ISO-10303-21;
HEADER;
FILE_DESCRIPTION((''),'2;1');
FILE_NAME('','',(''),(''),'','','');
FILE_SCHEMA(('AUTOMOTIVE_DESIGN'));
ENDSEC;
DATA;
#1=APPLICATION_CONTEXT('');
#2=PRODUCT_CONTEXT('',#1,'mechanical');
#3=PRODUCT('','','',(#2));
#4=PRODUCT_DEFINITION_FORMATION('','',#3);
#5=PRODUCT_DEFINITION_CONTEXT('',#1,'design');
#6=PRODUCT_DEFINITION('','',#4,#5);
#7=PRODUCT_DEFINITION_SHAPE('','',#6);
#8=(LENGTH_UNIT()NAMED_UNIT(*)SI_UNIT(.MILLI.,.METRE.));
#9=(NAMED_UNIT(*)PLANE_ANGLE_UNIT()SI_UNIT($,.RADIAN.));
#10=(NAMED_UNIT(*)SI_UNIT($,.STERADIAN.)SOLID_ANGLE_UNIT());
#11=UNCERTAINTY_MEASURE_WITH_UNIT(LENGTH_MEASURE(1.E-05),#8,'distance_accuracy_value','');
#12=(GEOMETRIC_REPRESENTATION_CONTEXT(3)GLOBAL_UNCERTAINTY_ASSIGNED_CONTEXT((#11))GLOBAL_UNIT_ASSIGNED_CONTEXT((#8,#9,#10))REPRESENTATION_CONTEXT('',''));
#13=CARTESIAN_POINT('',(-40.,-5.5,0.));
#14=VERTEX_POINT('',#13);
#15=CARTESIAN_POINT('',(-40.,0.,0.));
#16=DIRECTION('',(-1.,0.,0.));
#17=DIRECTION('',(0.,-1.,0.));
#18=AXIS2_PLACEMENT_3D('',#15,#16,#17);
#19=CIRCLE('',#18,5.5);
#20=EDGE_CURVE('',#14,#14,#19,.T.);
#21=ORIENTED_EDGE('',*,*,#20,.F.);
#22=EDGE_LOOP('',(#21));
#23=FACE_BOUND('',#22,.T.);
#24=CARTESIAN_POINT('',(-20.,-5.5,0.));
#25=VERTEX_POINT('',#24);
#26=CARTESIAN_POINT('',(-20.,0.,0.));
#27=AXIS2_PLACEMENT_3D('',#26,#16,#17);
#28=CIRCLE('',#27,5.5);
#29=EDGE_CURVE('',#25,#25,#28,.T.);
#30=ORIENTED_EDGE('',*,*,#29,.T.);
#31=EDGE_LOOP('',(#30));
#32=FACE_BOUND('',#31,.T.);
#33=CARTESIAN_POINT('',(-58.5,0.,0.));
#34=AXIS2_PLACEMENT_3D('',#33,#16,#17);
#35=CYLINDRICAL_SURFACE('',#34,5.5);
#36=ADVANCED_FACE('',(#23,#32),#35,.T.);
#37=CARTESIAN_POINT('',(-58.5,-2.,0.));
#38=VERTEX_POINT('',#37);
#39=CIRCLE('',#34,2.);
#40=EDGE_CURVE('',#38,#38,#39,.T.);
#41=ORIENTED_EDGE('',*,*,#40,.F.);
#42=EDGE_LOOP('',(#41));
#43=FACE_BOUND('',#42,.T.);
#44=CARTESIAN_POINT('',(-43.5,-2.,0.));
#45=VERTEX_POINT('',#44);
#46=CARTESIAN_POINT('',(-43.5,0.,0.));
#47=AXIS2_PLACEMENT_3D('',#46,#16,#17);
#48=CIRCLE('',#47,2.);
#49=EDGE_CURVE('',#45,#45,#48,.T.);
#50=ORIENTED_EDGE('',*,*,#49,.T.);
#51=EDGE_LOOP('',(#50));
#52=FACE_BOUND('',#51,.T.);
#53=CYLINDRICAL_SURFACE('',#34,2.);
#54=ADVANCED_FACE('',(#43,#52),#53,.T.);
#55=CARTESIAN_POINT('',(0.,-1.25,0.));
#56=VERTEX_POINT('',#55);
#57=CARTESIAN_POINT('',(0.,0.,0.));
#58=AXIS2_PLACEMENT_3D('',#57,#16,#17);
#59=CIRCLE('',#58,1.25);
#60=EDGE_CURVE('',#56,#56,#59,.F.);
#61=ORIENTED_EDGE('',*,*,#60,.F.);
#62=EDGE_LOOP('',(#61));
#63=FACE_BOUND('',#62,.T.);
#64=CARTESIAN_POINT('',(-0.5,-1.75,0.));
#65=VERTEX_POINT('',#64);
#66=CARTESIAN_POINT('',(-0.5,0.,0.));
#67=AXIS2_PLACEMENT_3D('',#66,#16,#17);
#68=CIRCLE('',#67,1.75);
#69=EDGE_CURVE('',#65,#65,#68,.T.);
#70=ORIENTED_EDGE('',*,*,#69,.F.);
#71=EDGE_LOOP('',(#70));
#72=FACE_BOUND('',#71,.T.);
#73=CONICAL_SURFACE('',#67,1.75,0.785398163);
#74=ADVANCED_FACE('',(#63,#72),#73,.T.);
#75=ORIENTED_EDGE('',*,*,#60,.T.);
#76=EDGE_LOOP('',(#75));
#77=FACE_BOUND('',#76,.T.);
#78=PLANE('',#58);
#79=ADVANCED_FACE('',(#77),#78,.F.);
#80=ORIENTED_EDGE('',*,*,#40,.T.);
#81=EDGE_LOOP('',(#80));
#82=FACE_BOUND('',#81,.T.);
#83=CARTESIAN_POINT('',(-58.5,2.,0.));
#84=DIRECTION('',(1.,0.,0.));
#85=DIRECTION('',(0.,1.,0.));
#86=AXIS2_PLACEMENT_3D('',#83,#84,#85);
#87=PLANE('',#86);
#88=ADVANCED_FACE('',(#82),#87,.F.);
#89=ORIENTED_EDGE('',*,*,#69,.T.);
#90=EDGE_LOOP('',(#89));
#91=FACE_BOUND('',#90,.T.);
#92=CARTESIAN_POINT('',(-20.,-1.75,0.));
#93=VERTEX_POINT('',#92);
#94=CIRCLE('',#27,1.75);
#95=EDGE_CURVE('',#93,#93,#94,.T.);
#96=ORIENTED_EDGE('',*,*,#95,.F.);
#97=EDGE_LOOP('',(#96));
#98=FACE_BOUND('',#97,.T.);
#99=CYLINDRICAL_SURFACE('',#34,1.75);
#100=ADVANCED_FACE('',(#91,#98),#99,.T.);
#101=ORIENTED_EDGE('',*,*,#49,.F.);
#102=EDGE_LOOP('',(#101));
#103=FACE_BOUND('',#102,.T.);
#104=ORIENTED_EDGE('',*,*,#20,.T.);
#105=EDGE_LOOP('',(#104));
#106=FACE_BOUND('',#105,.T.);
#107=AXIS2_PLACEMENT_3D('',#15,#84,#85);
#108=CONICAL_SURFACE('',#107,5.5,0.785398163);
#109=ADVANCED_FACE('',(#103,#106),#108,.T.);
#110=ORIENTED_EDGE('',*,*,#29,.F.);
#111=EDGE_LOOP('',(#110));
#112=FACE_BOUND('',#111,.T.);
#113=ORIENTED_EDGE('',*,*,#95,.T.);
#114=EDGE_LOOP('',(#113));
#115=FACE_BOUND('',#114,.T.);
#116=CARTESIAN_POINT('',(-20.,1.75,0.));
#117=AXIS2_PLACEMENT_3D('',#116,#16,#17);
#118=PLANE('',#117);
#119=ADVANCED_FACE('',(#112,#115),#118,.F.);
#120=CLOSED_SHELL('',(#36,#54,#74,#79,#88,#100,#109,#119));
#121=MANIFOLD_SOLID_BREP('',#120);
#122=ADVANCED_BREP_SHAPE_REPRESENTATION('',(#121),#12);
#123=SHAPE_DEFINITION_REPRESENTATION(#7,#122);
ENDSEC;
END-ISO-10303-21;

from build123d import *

# Parameters (mm, degrees)
CHAMFER1_SIZE = 0.5


with BuildPart() as part:
    # Sketch1 → Revolve1 (revolve)
    with BuildSketch(Plane.XY, mode=Mode.PRIVATE) as revolve1_sk:
        Polygon((-58.5, 0), (0, 0), (0, 1.75), (-20, 1.75), (-20, 5.5), (-40, 5.5), (-43.5, 2), (-58.5, 2), align=None)
    revolve(revolve1_sk.sketch.rotate(Axis((-58.5, 0, 0), (1, 0, 0)), 180), axis=Axis((-58.5, 0, 0), (1, 0, 0)))

    # Chamfer1
    chamfer1_edges = [part.edges().sort_by_distance(p)[0] for p in [
        (0, 1.75, 0),
    ]]
    chamfer(chamfer1_edges, length=CHAMFER1_SIZE)


solid = part.part
